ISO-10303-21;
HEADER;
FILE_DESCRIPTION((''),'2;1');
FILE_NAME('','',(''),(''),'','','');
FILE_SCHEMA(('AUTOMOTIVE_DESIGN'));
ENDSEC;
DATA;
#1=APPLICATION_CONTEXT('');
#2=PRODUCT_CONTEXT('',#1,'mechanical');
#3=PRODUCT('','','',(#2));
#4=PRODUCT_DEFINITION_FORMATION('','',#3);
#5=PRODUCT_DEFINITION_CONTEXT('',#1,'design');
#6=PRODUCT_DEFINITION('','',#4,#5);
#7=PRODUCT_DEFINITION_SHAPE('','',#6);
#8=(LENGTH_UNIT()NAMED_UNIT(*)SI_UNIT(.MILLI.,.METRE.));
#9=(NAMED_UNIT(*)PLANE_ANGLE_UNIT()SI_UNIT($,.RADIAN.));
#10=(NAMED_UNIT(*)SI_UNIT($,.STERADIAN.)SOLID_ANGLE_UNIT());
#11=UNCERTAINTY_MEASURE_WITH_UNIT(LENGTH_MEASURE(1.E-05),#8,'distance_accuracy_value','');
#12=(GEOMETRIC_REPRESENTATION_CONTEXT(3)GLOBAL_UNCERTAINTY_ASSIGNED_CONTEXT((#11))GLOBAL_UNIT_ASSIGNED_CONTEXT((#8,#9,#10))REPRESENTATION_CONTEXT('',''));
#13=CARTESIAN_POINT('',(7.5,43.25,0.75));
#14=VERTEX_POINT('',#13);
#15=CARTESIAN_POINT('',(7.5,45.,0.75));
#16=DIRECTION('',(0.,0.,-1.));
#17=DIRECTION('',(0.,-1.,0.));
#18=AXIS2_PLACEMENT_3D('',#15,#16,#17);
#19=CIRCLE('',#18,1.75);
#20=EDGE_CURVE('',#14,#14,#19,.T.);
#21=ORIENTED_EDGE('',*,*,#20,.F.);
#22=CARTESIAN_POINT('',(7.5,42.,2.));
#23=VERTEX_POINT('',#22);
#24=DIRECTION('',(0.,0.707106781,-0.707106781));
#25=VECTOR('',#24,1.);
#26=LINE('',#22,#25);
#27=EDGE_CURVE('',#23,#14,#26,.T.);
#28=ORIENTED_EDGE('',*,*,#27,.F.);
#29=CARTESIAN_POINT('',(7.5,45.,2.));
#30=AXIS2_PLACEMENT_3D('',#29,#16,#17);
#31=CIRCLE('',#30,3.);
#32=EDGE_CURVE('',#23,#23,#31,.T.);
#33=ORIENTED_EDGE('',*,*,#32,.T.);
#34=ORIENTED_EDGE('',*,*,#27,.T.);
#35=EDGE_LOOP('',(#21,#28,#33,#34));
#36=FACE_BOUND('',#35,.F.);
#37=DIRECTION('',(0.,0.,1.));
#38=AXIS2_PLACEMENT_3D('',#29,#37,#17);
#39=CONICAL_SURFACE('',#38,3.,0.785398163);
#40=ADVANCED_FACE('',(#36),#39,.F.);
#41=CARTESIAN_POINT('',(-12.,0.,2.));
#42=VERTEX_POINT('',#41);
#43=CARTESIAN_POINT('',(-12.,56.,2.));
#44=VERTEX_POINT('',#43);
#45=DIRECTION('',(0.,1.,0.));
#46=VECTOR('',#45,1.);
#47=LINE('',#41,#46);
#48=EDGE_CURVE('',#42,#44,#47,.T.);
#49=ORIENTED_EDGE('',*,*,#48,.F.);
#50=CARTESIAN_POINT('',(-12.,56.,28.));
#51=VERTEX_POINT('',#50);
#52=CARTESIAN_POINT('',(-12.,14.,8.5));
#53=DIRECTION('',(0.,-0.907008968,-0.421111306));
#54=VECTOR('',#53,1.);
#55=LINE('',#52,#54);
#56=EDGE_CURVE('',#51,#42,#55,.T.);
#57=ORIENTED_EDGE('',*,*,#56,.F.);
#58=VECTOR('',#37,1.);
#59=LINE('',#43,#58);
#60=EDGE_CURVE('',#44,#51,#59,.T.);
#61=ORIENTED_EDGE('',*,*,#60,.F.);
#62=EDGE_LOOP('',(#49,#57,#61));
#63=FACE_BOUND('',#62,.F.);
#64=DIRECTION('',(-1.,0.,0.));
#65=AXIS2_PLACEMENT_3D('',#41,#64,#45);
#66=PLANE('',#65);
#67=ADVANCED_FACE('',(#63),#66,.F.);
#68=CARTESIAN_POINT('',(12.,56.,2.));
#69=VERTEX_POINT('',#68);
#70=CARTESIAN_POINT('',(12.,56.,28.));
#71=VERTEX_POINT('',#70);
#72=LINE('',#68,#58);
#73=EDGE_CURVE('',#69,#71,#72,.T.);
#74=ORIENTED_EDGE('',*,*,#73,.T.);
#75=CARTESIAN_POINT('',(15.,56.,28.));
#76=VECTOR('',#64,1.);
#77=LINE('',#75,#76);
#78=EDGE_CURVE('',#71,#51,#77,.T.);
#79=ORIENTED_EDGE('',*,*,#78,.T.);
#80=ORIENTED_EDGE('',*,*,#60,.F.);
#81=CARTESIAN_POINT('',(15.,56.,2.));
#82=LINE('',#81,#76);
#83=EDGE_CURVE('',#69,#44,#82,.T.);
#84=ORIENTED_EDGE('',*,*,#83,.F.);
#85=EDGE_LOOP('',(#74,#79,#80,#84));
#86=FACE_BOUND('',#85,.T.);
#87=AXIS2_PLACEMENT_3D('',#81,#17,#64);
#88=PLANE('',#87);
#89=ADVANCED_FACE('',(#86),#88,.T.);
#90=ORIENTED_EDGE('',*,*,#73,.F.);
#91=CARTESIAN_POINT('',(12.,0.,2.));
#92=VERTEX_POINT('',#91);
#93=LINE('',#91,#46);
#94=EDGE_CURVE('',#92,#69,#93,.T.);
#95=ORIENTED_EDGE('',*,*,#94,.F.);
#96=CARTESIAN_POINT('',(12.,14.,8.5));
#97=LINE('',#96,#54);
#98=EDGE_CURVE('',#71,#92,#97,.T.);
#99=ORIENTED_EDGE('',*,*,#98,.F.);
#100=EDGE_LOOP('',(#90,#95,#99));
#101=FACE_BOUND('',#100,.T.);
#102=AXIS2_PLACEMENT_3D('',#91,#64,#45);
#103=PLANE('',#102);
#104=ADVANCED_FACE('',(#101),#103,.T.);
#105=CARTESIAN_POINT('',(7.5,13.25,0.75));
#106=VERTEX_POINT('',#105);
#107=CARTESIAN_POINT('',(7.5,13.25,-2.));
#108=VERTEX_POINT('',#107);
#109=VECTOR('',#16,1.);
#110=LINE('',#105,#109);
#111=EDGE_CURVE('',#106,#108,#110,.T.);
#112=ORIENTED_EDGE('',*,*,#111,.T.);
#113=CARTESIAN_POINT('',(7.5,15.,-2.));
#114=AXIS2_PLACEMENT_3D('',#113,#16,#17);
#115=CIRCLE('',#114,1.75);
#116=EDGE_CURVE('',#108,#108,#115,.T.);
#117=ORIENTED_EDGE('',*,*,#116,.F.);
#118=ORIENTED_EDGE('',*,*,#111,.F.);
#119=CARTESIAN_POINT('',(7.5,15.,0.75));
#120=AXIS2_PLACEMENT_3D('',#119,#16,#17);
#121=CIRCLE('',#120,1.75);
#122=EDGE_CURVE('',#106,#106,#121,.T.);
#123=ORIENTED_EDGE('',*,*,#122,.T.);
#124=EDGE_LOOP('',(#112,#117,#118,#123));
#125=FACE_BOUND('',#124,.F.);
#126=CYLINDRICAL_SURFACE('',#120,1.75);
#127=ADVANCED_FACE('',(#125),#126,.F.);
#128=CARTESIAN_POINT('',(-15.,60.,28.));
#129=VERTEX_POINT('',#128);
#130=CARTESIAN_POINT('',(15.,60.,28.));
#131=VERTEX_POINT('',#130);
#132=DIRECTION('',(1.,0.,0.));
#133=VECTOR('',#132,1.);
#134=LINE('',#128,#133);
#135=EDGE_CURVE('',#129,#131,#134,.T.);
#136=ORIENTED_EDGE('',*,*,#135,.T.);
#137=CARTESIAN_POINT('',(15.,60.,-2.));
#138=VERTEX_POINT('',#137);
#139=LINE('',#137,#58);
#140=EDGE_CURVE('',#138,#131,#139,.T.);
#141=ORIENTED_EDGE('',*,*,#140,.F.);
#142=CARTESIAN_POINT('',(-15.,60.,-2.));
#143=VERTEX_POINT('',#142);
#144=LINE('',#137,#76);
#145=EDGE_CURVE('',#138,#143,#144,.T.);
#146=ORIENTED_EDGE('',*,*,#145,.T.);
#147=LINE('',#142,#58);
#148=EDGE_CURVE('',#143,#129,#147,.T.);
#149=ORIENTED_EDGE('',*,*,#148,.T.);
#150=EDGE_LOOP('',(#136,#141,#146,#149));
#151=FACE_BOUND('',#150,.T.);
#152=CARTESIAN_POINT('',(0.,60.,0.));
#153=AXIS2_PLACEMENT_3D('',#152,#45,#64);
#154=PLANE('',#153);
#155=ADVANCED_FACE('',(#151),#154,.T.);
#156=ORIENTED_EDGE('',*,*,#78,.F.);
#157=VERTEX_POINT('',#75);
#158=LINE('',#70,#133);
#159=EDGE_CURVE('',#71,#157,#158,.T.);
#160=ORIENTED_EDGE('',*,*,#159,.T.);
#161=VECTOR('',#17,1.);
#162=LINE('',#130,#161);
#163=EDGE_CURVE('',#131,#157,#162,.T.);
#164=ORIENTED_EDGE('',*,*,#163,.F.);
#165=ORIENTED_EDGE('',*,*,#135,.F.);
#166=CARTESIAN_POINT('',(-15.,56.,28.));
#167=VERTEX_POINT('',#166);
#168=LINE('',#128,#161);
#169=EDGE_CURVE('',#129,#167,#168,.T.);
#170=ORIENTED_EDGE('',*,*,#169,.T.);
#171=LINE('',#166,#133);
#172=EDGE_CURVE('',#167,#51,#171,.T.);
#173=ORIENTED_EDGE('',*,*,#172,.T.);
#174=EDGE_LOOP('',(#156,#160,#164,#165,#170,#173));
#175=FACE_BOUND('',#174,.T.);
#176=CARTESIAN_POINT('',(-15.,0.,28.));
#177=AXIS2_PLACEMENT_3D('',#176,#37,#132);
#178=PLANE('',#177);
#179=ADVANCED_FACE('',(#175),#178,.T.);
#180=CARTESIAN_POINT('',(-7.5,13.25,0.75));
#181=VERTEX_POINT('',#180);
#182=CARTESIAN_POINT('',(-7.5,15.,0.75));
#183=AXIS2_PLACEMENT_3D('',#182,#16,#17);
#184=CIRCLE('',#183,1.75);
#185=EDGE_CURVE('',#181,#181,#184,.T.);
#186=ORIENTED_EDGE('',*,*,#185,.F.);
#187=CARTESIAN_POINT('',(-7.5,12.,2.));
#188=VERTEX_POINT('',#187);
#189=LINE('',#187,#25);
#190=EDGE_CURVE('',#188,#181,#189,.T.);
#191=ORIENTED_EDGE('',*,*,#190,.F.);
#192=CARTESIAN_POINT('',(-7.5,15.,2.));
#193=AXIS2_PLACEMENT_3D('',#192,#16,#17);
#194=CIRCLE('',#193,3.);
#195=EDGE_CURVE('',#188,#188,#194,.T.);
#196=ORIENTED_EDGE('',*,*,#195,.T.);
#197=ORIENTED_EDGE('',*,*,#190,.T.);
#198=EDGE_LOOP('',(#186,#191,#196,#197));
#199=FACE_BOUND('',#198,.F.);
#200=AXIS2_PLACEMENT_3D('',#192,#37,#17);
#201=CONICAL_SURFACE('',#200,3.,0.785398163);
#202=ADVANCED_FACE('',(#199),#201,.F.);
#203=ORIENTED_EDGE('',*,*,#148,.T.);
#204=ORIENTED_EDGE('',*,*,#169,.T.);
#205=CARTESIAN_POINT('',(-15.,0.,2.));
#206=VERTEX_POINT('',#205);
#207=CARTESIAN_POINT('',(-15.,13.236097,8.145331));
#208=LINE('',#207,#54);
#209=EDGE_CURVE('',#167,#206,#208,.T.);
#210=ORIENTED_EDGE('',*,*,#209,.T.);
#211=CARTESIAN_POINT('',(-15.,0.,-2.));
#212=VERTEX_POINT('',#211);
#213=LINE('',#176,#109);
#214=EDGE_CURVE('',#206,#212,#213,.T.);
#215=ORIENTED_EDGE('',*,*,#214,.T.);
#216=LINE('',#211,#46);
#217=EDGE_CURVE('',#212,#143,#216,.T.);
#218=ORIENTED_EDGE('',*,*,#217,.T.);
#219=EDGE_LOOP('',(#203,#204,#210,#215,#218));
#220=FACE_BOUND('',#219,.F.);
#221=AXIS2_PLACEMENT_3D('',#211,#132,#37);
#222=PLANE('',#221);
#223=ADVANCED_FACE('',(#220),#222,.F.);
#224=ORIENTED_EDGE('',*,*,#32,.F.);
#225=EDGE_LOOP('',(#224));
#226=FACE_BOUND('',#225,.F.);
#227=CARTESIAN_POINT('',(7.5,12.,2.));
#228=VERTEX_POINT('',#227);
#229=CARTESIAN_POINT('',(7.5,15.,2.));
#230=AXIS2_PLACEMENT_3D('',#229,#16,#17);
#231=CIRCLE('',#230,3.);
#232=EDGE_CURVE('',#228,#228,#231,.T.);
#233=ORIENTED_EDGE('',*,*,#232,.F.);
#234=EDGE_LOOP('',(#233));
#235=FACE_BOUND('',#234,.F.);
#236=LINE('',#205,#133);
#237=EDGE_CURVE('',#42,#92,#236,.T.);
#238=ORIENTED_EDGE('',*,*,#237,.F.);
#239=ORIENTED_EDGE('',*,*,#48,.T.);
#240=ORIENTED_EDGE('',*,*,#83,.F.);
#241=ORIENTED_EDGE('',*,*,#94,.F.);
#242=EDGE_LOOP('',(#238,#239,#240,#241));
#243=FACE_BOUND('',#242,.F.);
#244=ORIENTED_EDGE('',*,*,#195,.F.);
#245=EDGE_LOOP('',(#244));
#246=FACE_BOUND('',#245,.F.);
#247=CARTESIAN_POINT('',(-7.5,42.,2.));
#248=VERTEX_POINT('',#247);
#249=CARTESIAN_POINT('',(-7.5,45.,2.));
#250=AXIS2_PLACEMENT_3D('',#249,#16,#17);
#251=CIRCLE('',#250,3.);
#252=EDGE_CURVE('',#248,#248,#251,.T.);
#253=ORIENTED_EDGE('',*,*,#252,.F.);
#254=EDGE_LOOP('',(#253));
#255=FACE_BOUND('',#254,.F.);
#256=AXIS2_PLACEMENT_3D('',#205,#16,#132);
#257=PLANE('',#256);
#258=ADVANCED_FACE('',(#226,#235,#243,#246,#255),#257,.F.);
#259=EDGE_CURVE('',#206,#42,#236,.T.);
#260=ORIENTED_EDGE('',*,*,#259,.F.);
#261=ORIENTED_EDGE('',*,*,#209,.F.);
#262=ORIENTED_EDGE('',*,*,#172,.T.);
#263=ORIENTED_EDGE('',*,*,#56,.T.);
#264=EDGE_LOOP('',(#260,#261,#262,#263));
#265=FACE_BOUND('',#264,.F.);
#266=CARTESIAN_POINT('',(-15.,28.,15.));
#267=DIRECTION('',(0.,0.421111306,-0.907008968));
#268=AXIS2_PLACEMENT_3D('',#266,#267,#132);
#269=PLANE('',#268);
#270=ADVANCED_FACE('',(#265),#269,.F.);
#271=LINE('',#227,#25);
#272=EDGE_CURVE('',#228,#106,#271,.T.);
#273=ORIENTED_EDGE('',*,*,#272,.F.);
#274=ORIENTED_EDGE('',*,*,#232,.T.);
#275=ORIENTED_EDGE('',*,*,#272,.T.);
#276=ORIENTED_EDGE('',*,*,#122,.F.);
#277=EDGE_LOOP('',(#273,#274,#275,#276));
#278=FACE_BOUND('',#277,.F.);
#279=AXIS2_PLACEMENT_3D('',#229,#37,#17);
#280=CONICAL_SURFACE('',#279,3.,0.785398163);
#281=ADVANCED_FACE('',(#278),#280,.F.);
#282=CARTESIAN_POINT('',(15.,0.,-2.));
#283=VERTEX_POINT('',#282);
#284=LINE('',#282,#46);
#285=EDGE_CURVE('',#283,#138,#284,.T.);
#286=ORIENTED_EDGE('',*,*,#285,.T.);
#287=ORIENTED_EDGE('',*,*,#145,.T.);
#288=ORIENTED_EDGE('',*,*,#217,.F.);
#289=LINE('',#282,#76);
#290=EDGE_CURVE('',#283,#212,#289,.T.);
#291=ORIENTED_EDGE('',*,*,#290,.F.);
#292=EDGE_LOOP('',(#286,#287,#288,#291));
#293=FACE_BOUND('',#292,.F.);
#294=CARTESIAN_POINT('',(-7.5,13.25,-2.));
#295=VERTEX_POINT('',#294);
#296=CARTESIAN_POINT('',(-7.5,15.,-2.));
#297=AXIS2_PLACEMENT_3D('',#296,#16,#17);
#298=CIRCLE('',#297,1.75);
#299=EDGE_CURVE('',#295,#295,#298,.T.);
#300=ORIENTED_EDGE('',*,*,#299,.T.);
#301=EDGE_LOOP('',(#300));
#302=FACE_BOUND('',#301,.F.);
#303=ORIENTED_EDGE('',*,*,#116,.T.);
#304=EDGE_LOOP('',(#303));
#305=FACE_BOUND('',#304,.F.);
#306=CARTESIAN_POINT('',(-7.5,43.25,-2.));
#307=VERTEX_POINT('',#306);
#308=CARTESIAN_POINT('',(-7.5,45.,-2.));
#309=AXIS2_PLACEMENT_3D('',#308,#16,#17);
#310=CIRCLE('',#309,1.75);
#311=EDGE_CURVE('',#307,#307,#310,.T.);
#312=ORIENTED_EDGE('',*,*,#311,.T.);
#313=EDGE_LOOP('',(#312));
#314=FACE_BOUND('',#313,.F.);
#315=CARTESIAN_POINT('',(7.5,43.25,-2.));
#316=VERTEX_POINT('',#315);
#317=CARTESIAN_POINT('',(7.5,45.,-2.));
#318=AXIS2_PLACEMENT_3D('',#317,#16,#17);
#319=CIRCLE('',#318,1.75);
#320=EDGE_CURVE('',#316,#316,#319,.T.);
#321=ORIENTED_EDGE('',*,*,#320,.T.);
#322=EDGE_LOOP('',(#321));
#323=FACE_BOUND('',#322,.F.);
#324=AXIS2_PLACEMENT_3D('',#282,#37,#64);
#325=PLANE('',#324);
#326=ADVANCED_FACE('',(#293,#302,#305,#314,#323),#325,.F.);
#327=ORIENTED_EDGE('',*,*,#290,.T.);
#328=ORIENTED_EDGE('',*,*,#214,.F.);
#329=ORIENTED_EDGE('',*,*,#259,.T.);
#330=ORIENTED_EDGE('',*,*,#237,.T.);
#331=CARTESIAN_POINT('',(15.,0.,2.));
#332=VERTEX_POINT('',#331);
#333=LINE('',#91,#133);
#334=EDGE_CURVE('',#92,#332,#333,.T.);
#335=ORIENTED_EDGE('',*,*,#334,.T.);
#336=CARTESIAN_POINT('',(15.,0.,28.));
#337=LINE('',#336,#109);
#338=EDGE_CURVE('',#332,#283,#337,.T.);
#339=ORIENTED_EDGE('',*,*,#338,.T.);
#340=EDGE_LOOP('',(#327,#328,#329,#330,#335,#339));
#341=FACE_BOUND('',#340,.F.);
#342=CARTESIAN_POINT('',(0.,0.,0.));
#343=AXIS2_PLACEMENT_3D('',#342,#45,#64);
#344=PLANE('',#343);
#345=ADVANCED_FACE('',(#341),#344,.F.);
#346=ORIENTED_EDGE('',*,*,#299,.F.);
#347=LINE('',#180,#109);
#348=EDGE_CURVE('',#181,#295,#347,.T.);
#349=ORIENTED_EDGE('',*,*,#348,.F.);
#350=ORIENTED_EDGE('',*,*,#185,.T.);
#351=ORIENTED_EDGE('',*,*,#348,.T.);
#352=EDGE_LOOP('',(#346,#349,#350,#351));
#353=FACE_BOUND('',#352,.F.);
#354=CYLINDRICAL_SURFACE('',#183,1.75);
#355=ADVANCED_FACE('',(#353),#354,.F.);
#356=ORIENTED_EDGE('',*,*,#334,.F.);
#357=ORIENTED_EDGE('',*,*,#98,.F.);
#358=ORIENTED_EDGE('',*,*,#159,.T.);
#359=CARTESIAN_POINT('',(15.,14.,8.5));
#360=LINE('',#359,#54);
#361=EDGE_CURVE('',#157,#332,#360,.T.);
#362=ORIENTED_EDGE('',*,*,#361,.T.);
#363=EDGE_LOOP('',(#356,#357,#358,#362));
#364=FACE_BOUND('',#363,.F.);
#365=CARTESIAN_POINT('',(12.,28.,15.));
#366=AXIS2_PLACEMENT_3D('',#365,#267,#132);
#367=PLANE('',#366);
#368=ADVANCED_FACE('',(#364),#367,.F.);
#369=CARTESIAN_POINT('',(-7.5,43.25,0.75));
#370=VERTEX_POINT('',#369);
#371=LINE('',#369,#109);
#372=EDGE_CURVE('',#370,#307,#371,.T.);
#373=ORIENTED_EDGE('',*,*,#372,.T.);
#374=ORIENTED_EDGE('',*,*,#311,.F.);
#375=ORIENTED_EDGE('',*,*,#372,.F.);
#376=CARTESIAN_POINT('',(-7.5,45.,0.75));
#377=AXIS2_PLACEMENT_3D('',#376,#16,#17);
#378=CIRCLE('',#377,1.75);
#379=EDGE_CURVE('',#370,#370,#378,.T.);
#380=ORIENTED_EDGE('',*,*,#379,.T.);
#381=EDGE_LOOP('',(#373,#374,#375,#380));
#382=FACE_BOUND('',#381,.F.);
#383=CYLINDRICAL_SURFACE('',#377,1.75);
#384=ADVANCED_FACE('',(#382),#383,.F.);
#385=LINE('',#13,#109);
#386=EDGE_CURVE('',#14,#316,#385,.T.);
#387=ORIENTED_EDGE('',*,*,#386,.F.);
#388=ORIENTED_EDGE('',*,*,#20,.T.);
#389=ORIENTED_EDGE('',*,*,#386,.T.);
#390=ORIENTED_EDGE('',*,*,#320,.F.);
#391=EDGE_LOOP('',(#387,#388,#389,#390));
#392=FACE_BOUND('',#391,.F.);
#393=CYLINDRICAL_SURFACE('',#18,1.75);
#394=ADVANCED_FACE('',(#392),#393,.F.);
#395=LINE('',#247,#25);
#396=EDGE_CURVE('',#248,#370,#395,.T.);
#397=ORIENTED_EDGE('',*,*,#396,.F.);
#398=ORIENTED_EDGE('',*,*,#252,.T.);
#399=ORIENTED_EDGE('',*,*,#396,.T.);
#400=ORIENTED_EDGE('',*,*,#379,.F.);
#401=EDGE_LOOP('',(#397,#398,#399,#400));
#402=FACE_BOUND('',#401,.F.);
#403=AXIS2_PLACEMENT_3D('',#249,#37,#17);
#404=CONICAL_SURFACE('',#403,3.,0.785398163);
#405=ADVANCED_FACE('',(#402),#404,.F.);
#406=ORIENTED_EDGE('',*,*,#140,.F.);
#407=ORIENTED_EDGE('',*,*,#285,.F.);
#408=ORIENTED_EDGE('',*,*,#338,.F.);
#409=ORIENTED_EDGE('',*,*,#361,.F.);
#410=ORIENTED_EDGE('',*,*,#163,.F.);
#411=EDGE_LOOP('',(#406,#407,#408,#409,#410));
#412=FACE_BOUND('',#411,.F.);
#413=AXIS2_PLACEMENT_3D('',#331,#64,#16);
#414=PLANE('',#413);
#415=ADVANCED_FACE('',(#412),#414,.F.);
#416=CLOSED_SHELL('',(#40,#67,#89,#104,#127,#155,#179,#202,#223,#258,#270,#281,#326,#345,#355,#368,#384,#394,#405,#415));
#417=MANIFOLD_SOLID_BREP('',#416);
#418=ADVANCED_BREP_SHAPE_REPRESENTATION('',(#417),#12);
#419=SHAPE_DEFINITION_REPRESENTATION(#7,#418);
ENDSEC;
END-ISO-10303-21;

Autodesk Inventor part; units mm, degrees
ref_plane "YZ Plane" through (0, 0, 0) normal (1, 0, 0) x (0, 1, 0)
ref_plane "XZ Plane" through (0, 0, 0) normal (0, 1, 0) x (-1, 0, 0)
ref_plane "XY Plane" through (0, 0, 0) normal (0, 0, 1) x (1, 0, 0)
sketch "Boceto1" plane through (0, 0, 0) normal (0, 1, 0) x (-1, 0, 0)
  line L0 (-15, -2) -> (15, -2)
  line L1 (15, -2) -> (15, 2)
  line L2 (15, 2) -> (-15, 2)
  line L3 (-15, 2) -> (-15, -2)
  line L4 (-15, -2) -> (15, 2) construction
  line L5 (15, -2) -> (-15, 2) construction
  point P0 (0, 0)
  dimension "d0" = 30
  dimension "d1" = 4
extrude "Extrusión1" add sketch "Boceto1" along normal blind 60
sketch "Boceto2" plane through (-15, 0, 2) normal (0, 0, 1) x (1, 0, 0)
  line L0 (0, 60) -> (30, 60) projected
  line L1 (30, 0) -> (30, 60) projected
  line L2 (0, 60) -> (30, 60)
  line L3 (30, 60) -> (30, 56)
  line L4 (30, 56) -> (0, 56)
  line L5 (0, 56) -> (0, 60)
  point P0 (15, 0)
  dimension "d4" = 4
extrude "Extrusión2" add sketch "Boceto2" along normal blind 26
sketch "Boceto3" plane through (-15, 0, 2) normal (0, 0, 1) x (1, 0, 0)
  line L0 (0, 0) -> (30, 0) projected
  line L1 (0, 56) -> (30, 56) projected
  line L2 (0, 0) -> (3, 0)
  line L3 (3, 0) -> (3, 56)
  line L4 (3, 56) -> (0, 56)
  line L5 (0, 56) -> (0, 0)
  line L6 (30, 0) -> (27, 0)
  line L7 (27, 0) -> (27, 56)
  line L8 (27, 56) -> (30, 56)
  line L9 (30, 56) -> (30, 0)
  point P0 (15, 0)
  point P1 (3, 0)
  dimension "d7" = 3
  dimension "d8" = 3
extrude "Extrusión3" add sketch "Boceto3" along normal blind 26 contours L5 L1 L3 L0 | L7 L1 L9 L0
chamfer "Chaflán1" distance 56 distance2 26 2 edges at (-13.5, 0, 28) (13.5, 0, 28) measured on face at (-14, 38.6667, 28)
sketch "Boceto4" plane through (-12, 56, 2) normal (0, 0, 1) x (1, 0, 0)
  line L0 (27, -56) -> (-3, -56) projected
  line L1 (-3, -56) -> (-3, 4) projected
  line L2 (27, 4) -> (-3, 4) projected
  line L3 (27, -56) -> (27, 4) projected
  line L4 (-3, -56) -> (-3, 4) projected
  line L5 (-3, 4) -> (27, 4)
  line L6 (27, 4) -> (27, -11)
  line L7 (27, -11) -> (-3, -11)
  line L8 (-3, -11) -> (-3, 4)
  line L9 (12, -11) -> (-3, -11)
  line L10 (12, -11) -> (27, -11)
  circle A0 centre (4.5, -11) radius 1.75
  circle A1 centre (19.5, -11) radius 1.75
  line L11 (-3, -56) -> (27, -56)
  line L12 (27, -56) -> (27, -41)
  line L13 (27, -41) -> (-3, -41)
  line L14 (-3, -41) -> (-3, -56)
  line L15 (-3, -41) -> (12, -41)
  line L16 (12, -41) -> (27, -41)
  circle A2 centre (4.5, -41) radius 1.75
  circle A3 centre (19.5, -41) radius 1.75
  point P0 (12, -56)
  dimension "d14" = 30
  dimension "d15" = 15
  dimension "d16" = 3.5
  dimension "d17" = 3.5
  dimension "d18" = 30
  dimension "d19" = 15
  dimension "d20" = 15
  dimension "d21" = 15
  dimension "d22" = 3.5
  dimension "d23" = 3.5
hole "Agujero1" at (-7.5, 15, 2) at (7.5, 15, 2) at (7.5, 45, 2) at (-7.5, 45, 2) direction (0, 0, -1) diameter 3.5 end through all countersink diameter 6 countersink angle 90
properties part number "UnionBarras"
